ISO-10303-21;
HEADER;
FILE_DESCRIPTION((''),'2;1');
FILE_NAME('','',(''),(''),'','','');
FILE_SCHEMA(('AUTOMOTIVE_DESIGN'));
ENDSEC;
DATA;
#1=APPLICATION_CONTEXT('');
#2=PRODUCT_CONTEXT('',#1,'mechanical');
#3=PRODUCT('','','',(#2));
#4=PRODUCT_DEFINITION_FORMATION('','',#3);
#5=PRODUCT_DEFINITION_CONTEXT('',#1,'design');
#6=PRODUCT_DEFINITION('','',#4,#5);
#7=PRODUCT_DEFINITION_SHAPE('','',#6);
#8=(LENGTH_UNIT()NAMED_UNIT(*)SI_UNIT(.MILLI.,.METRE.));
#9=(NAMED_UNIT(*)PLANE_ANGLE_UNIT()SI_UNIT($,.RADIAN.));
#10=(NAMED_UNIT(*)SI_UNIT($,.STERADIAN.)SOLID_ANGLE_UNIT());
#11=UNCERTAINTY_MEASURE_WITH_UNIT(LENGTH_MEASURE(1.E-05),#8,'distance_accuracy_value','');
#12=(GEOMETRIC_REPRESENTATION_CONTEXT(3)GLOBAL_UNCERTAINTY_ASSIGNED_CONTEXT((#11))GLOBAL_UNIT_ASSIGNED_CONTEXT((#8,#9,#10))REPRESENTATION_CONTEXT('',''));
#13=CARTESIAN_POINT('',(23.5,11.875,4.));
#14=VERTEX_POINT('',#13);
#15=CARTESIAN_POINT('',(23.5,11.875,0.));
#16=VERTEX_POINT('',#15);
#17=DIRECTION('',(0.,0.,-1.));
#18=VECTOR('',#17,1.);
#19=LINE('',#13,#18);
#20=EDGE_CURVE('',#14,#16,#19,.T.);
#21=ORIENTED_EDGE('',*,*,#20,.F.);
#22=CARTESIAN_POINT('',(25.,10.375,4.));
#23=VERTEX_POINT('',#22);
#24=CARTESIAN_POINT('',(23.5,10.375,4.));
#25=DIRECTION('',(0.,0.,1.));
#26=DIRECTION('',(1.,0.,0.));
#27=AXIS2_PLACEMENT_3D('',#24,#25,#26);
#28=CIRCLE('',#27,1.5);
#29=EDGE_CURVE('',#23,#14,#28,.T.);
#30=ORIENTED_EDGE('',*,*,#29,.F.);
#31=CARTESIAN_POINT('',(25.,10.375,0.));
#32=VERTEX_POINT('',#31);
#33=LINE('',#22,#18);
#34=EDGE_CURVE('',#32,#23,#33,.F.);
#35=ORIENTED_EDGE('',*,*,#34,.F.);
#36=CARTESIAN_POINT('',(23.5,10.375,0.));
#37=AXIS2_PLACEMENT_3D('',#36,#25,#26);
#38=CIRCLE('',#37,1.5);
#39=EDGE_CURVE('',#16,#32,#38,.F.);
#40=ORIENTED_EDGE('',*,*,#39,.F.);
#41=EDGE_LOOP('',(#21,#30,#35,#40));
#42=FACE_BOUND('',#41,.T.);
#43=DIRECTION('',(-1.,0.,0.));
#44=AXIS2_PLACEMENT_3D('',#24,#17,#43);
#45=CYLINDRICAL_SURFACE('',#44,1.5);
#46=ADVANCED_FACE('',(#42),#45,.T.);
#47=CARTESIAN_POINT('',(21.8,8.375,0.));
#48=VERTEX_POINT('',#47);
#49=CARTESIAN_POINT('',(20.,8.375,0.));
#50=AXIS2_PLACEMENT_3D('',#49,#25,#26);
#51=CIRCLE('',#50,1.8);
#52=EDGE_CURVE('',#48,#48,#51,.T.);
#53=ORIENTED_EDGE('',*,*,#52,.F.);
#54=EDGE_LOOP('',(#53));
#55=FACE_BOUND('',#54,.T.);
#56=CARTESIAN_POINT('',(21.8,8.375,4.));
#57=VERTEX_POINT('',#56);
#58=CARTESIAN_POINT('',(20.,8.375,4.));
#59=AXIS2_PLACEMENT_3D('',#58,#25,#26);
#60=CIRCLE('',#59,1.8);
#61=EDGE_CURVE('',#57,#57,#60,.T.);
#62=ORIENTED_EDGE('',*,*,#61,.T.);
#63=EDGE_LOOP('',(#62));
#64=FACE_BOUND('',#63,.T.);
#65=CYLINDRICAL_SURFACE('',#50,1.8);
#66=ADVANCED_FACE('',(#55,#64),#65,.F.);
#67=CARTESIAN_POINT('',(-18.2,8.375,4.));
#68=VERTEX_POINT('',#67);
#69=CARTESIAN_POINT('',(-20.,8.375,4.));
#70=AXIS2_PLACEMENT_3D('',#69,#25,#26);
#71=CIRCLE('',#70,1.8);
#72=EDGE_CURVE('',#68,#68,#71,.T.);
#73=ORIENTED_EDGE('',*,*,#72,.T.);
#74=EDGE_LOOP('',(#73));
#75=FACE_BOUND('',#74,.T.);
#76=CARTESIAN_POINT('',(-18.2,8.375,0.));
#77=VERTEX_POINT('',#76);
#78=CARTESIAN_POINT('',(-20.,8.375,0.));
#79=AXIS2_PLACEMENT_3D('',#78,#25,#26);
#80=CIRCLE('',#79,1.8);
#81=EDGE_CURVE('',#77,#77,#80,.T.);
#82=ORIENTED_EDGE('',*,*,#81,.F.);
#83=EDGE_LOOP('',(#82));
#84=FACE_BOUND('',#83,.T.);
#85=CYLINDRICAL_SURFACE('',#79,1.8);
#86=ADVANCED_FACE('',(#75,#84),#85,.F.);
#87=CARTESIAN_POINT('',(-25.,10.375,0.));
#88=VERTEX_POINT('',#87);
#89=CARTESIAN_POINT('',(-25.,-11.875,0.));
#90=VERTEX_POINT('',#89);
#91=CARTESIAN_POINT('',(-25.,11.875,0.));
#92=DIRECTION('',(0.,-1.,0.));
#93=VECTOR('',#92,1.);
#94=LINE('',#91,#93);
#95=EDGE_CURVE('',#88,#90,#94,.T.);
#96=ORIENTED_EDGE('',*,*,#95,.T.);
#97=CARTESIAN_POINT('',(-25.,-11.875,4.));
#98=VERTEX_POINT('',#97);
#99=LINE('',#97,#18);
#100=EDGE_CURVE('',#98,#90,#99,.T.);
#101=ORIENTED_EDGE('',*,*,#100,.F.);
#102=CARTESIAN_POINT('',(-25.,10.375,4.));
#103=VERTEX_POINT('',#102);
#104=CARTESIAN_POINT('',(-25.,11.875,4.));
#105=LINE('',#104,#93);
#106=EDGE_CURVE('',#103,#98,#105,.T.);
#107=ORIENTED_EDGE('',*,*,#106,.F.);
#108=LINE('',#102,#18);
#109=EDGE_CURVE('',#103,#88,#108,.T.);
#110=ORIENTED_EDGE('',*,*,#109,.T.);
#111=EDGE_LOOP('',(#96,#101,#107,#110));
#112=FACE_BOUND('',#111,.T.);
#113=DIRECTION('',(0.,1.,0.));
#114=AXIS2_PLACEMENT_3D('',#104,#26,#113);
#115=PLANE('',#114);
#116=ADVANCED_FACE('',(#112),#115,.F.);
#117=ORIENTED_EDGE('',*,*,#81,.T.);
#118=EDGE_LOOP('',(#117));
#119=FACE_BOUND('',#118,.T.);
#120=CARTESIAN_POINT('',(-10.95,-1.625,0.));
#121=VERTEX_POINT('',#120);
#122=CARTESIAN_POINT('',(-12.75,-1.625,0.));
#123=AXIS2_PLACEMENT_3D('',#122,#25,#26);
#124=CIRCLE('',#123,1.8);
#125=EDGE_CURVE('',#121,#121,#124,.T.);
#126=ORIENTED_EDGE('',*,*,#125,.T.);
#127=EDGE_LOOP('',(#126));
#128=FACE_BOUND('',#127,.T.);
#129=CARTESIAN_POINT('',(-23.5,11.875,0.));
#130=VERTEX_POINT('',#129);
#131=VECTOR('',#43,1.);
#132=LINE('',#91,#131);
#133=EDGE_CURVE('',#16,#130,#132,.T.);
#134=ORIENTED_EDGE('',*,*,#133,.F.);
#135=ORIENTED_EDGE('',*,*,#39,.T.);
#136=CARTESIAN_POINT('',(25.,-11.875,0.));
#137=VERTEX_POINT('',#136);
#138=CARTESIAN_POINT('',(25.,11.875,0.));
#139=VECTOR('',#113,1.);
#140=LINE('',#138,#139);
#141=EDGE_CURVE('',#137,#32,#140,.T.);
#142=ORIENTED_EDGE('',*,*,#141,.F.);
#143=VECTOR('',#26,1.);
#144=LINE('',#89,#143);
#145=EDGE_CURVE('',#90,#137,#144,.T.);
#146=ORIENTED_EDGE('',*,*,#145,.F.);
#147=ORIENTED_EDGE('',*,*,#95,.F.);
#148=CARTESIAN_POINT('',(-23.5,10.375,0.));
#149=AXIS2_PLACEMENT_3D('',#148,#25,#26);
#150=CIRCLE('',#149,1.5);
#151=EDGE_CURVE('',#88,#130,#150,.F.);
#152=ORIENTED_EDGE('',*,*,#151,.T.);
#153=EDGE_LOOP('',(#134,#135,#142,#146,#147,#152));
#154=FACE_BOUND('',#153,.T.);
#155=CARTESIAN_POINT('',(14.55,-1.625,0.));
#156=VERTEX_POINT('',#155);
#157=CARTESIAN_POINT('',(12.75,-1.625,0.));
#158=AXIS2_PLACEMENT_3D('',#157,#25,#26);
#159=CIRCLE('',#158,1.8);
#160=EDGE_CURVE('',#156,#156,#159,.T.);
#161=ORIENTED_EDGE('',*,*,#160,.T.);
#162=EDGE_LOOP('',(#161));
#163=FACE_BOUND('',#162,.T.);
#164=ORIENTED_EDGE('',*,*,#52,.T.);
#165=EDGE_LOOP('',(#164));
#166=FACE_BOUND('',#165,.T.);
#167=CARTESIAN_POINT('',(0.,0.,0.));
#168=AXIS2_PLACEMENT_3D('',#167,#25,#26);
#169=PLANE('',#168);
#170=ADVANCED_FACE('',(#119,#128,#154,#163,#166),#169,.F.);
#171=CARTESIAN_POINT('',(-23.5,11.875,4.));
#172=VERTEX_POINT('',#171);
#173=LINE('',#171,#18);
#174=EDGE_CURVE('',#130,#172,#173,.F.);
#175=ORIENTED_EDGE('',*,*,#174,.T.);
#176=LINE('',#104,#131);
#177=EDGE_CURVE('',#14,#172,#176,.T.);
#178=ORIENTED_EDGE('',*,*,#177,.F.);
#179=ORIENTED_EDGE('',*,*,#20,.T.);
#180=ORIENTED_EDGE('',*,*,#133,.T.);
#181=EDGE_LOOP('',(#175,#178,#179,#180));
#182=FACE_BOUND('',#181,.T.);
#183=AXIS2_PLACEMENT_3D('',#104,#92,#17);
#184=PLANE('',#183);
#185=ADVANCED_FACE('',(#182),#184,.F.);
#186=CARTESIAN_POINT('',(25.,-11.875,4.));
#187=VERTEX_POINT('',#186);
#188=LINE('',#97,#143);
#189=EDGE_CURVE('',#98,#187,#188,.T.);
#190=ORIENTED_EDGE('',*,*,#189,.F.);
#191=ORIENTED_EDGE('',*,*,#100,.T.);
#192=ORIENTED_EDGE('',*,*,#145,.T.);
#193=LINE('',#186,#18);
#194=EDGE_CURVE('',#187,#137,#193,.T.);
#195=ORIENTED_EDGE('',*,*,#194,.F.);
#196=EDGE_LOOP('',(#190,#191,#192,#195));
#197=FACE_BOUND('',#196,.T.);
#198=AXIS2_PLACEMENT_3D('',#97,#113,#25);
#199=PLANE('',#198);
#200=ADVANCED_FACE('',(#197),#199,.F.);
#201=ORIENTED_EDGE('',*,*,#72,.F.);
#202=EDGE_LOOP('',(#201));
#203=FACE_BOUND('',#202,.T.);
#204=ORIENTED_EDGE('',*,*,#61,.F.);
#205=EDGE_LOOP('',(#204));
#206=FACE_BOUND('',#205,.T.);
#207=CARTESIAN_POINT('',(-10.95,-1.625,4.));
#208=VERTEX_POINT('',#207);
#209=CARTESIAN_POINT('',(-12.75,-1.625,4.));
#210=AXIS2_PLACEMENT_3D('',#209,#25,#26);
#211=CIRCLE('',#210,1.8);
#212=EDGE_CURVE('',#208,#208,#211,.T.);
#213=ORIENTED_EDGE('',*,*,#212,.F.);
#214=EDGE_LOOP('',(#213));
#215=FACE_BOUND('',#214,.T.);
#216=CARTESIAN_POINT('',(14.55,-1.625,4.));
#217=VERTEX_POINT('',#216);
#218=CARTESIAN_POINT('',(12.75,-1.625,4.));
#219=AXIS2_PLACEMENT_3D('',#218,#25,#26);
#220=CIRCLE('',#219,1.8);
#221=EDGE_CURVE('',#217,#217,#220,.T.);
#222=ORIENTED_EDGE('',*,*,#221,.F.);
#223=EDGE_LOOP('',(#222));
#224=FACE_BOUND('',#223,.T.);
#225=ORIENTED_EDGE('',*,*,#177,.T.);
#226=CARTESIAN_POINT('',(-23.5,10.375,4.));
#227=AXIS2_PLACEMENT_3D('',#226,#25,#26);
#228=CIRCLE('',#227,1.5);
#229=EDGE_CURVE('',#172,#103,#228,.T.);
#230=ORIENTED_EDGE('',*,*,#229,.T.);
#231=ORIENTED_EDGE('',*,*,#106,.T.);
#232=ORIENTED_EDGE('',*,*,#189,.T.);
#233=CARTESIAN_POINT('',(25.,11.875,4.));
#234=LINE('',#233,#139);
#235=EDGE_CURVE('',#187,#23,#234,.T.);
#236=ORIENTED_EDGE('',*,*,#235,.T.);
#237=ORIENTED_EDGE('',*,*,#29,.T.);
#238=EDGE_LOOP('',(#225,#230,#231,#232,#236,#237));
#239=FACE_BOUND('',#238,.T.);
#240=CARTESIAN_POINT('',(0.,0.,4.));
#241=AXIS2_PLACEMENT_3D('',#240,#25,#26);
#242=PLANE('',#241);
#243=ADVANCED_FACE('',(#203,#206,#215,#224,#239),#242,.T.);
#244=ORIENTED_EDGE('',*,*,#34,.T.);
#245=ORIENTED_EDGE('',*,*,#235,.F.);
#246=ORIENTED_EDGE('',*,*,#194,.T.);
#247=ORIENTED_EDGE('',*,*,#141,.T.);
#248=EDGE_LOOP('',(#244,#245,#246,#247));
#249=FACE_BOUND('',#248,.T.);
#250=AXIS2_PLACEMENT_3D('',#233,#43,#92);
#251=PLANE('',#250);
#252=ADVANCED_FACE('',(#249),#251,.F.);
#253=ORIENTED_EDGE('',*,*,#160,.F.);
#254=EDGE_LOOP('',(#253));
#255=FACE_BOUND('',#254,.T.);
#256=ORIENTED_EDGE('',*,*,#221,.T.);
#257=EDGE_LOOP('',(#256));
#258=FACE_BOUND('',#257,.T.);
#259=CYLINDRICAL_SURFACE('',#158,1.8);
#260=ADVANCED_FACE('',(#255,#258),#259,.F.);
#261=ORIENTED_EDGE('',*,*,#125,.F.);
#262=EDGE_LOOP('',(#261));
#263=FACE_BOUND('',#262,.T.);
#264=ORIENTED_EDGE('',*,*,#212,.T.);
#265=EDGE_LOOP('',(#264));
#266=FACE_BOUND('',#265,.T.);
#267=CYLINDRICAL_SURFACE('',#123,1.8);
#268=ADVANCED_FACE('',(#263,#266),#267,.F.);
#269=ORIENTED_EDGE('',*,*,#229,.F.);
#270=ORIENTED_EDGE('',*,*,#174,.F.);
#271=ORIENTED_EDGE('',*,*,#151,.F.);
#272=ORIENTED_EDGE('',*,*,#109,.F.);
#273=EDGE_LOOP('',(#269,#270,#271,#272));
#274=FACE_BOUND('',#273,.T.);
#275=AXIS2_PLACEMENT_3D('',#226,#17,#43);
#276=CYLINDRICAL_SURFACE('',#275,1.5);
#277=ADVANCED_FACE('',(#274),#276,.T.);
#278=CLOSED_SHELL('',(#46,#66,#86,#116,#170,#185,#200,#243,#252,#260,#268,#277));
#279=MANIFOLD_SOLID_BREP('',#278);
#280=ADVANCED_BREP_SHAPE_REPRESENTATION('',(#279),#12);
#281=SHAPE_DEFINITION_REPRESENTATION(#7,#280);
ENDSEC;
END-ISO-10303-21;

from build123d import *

# Parameters (mm, degrees)
SKETCH1_W           = 50
SKETCH1_H           = 23.75
BOSS_EXTRUDE1_DEPTH = 4
FILLET1_R           = 1.5
SKETCH2_R           = 1.8
CUT_EXTRUDE1_DEPTH  = 28.964542281


with BuildPart() as part:
    # Sketch1 → Boss-Extrude1 (new body)
    with BuildSketch(Plane.XY):
        Rectangle(SKETCH1_W, SKETCH1_H)
    extrude(amount=BOSS_EXTRUDE1_DEPTH)

    # Fillet1
    fillet1_edges = [part.edges().sort_by_distance(p)[0] for p in [
        (-25, 11.875, 2),
        (25, 11.875, 2),
    ]]
    fillet(fillet1_edges, radius=FILLET1_R)

    # Sketch2 → Cut-Extrude1 (cut, through all)
    with BuildSketch(Plane.XY.offset(4)):
        with Locations((-12.75, -1.625)):
            Circle(SKETCH2_R)
        with Locations((-20, 8.375)):
            Circle(SKETCH2_R)
        with Locations((12.75, -1.625)):
            Circle(SKETCH2_R)
        with Locations((20, 8.375)):
            Circle(SKETCH2_R)
    extrude(amount=-CUT_EXTRUDE1_DEPTH, mode=Mode.SUBTRACT)


solid = part.part
